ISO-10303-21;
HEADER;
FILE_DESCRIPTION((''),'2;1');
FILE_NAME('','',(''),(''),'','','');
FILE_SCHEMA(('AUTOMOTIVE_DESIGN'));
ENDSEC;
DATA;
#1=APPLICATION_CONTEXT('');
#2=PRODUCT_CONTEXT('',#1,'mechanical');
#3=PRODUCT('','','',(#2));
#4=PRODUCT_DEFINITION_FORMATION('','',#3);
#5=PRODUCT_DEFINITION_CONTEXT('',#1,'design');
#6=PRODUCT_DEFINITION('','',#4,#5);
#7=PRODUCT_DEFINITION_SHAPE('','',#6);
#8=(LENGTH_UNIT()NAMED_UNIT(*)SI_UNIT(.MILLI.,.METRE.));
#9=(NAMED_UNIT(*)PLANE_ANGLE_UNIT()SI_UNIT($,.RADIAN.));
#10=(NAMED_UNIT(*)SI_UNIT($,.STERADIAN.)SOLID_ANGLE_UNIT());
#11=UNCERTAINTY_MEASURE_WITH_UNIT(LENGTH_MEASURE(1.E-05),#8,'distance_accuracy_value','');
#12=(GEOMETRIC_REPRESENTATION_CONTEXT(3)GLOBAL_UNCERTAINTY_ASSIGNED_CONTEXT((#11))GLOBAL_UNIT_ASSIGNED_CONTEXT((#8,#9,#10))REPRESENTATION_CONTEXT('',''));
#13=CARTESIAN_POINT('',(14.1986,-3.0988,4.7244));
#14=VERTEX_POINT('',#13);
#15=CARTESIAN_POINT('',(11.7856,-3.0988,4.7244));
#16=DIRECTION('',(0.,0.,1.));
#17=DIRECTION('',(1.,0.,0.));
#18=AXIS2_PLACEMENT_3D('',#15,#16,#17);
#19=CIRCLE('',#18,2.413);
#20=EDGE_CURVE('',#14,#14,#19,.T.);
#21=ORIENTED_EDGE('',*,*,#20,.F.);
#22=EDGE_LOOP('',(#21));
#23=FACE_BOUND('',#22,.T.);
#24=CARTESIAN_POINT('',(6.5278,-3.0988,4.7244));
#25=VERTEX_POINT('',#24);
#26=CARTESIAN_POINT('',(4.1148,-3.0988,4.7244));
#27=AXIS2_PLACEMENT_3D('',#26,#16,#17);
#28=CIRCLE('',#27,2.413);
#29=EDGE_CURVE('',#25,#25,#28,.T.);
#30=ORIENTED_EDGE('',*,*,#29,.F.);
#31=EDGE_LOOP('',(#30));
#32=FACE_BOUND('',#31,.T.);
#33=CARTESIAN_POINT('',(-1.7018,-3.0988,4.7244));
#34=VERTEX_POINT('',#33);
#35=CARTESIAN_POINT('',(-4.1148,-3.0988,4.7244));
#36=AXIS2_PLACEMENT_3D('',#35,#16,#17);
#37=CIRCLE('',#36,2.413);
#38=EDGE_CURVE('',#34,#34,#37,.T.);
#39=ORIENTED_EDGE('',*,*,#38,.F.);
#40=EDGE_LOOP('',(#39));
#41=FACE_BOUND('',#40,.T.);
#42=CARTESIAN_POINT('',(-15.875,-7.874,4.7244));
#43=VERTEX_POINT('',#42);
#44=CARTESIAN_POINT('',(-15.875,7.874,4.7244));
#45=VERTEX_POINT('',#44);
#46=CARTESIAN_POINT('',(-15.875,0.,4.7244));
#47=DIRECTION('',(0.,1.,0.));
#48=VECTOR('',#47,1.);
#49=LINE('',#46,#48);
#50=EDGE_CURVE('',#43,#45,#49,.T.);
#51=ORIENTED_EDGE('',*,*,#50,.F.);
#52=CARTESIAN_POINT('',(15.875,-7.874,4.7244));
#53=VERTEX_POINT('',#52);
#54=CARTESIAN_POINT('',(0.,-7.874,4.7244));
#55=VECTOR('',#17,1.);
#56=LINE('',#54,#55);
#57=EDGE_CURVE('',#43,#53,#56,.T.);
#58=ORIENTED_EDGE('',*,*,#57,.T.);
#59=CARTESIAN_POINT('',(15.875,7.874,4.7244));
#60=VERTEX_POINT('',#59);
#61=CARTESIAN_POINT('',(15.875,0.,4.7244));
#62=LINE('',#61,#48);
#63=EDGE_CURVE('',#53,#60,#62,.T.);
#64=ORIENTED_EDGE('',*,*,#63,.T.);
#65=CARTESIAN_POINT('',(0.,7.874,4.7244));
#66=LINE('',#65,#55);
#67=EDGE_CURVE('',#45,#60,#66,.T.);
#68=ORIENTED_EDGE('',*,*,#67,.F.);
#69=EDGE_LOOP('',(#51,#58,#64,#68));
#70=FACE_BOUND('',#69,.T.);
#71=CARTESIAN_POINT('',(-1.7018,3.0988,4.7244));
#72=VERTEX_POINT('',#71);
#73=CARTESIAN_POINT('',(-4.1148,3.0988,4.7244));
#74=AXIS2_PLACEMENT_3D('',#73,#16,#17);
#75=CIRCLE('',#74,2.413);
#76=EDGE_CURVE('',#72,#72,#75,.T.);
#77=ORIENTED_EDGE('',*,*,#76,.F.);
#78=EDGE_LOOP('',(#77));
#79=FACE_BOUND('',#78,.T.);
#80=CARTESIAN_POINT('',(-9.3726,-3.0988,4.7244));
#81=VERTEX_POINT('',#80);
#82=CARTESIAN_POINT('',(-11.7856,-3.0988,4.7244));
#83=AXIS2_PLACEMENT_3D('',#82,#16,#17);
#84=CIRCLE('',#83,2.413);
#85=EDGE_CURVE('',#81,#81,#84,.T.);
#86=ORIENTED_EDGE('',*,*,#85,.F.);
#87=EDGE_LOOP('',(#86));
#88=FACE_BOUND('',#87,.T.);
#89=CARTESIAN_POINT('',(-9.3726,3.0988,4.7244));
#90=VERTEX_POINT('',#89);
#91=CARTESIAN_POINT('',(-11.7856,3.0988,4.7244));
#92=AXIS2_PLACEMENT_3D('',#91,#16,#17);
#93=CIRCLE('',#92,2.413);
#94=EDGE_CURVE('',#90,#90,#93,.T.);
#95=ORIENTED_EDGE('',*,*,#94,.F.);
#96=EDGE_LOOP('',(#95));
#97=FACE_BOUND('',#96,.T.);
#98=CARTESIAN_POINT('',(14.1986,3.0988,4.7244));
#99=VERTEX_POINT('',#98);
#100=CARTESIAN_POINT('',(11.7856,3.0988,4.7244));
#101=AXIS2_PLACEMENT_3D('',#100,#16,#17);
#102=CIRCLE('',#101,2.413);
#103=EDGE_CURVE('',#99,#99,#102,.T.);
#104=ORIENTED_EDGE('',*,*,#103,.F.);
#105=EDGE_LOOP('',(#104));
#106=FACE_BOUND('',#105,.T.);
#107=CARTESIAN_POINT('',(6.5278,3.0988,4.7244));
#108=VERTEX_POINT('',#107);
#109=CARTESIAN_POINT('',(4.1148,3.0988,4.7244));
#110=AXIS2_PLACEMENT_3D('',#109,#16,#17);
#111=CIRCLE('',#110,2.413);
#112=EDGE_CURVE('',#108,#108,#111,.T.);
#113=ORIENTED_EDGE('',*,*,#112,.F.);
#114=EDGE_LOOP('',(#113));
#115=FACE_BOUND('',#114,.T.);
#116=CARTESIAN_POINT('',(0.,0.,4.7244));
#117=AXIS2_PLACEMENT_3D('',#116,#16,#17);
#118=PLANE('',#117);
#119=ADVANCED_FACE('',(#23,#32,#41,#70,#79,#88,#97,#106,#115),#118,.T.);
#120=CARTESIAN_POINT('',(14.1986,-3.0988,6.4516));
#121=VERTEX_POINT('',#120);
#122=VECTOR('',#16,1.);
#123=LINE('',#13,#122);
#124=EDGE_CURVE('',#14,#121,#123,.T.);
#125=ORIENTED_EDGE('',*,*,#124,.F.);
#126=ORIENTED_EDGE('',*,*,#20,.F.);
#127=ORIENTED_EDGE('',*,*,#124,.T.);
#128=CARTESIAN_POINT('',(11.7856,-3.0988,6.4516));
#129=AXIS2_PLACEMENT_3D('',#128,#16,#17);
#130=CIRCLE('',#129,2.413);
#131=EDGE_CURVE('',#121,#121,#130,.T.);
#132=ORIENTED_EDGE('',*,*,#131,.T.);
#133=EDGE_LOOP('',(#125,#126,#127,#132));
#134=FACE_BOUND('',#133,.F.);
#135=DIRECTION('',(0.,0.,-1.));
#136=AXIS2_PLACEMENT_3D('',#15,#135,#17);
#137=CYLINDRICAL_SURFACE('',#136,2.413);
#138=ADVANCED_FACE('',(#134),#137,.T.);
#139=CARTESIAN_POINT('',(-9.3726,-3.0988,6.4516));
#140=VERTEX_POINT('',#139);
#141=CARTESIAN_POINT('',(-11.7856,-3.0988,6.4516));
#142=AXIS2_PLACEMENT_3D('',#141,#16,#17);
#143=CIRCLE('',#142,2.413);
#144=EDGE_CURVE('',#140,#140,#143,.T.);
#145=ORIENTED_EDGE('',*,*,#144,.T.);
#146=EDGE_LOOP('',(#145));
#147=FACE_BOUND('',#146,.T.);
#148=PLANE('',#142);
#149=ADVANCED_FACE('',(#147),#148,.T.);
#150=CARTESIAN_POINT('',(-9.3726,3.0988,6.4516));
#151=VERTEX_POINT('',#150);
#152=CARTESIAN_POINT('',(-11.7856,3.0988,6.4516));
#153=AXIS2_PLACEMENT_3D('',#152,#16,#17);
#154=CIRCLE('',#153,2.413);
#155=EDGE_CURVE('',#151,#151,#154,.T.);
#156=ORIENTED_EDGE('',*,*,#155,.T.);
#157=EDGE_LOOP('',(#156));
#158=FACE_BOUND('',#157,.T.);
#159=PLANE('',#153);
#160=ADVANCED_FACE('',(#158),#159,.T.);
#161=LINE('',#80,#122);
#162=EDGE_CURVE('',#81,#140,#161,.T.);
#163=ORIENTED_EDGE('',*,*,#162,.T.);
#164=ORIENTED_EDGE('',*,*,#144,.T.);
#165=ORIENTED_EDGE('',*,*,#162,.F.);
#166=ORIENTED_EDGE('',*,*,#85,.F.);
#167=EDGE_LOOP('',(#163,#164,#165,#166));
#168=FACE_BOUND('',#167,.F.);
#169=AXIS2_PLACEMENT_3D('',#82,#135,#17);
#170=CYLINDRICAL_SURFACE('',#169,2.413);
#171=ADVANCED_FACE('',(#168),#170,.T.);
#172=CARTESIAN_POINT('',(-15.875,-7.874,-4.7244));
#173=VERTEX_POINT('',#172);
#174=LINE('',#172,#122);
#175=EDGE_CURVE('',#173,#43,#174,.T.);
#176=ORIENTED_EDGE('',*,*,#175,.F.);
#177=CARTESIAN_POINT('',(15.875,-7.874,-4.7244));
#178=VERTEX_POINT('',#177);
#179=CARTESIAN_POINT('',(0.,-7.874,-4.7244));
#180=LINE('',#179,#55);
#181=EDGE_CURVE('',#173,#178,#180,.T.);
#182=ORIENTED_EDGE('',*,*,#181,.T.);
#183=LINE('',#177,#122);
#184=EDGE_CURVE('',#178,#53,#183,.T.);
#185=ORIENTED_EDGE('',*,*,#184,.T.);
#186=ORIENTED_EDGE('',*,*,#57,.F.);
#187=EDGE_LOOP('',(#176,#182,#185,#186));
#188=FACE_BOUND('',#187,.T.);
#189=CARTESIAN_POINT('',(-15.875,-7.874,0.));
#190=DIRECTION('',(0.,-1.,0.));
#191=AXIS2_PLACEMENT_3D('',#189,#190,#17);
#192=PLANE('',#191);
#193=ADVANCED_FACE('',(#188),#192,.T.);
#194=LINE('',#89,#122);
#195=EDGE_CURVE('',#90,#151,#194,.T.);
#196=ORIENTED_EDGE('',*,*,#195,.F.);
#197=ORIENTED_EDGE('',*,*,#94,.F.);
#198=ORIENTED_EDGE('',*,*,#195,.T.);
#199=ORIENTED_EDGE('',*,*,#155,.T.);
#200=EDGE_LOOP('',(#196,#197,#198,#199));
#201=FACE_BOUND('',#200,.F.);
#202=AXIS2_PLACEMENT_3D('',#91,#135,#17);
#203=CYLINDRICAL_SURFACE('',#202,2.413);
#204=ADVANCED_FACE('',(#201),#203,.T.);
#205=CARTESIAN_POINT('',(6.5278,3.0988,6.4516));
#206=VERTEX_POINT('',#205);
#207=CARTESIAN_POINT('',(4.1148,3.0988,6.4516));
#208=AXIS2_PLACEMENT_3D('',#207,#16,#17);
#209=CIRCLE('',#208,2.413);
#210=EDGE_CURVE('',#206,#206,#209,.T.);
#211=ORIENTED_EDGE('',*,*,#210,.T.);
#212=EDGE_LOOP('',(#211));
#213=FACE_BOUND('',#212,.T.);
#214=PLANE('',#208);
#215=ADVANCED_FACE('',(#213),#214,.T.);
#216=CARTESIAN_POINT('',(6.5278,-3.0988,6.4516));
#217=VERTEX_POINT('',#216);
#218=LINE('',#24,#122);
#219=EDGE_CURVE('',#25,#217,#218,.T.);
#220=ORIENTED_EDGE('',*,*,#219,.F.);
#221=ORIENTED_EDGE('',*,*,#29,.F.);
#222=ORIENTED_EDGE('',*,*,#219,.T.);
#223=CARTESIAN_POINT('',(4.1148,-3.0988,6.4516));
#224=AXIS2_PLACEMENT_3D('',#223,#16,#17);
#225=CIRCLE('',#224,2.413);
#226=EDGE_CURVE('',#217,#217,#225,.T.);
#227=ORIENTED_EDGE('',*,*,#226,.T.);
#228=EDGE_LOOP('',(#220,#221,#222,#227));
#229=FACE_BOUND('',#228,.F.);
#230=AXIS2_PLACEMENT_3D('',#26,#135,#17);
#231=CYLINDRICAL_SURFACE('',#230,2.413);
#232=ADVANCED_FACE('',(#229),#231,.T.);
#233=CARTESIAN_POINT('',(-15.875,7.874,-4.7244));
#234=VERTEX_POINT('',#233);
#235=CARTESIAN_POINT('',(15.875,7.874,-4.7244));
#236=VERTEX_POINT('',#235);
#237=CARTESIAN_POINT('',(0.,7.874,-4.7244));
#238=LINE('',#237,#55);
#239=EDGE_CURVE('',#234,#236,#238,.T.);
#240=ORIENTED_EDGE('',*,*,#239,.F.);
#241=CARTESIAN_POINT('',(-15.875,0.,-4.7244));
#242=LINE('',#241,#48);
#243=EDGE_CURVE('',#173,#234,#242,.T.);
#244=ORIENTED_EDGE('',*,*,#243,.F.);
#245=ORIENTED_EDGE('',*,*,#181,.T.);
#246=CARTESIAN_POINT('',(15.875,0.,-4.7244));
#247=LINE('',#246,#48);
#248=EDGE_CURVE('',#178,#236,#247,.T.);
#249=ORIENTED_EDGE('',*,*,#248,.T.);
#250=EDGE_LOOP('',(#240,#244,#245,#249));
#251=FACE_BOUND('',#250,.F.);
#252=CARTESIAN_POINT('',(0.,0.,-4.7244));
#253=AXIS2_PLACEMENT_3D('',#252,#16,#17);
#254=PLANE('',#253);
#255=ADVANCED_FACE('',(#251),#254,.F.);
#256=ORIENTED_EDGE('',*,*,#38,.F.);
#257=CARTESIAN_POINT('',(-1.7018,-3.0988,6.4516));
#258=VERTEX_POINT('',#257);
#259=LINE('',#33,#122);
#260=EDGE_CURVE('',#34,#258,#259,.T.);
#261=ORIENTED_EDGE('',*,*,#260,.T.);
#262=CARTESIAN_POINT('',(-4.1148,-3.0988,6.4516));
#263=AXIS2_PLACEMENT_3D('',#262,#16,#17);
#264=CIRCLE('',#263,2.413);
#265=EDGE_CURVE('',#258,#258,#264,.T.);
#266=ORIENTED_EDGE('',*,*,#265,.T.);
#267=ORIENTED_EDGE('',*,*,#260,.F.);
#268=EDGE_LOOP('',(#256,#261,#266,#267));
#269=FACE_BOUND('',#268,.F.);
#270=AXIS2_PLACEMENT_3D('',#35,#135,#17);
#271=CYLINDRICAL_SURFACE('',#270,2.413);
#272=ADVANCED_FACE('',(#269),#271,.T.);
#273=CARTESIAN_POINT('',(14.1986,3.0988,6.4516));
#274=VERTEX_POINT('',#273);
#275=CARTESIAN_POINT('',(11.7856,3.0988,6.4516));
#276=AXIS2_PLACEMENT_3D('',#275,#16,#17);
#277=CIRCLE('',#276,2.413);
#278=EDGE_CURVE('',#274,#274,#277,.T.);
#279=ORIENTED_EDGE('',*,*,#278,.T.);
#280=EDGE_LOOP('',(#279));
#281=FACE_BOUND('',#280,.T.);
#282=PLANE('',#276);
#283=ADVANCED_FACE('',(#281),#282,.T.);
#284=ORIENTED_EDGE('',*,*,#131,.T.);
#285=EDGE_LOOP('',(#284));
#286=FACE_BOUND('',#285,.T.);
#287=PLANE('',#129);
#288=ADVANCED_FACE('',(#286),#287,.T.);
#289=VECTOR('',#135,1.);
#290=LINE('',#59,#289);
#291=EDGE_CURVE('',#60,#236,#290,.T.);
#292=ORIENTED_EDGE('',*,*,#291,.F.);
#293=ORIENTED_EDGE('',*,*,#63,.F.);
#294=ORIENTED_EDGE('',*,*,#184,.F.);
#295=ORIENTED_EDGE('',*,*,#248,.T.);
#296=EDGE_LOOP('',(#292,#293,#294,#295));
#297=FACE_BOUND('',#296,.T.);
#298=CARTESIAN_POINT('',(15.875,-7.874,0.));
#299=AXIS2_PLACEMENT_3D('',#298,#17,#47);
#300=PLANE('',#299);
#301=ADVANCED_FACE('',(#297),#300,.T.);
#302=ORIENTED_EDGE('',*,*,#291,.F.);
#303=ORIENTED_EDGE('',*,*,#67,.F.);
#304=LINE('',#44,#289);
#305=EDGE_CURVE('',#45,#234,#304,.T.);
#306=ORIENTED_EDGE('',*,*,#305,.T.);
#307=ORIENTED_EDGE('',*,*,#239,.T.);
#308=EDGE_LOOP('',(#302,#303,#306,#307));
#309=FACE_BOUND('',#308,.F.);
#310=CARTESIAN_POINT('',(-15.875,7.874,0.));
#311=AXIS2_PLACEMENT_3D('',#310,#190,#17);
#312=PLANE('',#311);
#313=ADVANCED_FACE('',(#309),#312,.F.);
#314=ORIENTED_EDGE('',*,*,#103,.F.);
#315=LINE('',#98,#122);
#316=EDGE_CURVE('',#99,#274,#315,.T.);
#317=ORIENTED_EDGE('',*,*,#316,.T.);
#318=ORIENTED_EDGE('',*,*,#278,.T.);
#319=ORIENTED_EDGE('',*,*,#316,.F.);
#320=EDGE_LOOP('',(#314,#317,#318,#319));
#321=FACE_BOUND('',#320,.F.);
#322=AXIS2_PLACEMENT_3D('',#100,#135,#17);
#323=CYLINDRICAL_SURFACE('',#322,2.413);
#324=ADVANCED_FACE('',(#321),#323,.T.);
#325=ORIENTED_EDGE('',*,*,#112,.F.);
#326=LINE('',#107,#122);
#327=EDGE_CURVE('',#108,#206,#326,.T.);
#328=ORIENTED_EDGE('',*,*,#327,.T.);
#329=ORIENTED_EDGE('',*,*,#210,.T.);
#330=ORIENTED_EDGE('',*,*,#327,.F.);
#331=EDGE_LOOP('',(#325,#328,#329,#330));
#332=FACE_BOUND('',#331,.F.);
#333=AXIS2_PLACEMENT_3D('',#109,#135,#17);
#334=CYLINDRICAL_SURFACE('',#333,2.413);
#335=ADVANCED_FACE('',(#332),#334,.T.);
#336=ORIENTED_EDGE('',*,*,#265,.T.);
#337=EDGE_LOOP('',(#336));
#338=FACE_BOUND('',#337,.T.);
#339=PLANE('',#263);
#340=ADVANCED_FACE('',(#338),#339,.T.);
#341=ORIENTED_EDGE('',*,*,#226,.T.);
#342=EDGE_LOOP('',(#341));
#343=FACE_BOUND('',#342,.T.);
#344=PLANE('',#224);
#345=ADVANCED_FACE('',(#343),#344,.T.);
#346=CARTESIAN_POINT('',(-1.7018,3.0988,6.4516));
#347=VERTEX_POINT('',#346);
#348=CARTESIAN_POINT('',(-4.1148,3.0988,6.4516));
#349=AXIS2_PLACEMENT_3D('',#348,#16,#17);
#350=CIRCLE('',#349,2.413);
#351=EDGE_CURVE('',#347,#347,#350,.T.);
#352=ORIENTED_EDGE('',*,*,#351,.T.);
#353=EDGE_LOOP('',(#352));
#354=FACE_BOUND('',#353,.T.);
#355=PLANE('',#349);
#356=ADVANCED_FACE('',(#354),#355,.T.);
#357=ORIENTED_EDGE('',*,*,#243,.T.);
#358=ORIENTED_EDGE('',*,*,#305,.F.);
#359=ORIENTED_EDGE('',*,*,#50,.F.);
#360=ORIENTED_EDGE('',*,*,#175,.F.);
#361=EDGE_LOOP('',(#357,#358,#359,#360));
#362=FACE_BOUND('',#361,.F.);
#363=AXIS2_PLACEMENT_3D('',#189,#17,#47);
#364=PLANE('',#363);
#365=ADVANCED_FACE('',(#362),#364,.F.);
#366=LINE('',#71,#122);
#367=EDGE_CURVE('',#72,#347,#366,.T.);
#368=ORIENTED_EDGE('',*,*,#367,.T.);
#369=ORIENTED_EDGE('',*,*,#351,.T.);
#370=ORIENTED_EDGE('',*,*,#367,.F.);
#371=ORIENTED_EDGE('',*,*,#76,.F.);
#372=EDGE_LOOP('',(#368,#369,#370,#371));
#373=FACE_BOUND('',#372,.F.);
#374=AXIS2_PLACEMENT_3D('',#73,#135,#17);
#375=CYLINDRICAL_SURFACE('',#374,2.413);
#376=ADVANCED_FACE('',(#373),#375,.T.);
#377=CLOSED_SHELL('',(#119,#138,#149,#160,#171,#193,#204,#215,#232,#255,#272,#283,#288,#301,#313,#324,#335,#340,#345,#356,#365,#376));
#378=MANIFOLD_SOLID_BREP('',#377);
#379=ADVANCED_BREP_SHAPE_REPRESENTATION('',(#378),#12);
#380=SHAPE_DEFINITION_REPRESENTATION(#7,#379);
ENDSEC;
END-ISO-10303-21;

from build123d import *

# Parameters (mm, degrees)
F0_W     = 31.75
F0_H     = 15.748
F1_DEPTH = 4.7244
F2_R     = 2.413
F3_DEPTH = 1.7272


with BuildPart() as f1:
    # F0 (on Top) → F1 (new body, symmetric)
    with BuildSketch(Plane.XY):
        Rectangle(F0_W, F0_H)
    extrude(amount=F1_DEPTH, both=True)

    # F2 (on face) → F3 (join)
    with BuildSketch(Plane.XY.offset(4.7244)):
        with Locations((-11.7856, 3.0988)):
            Circle(F2_R)
        with Locations((4.1148, 3.0988)):
            Circle(F2_R)
        with Locations((11.7856, 3.0988)):
            Circle(F2_R)
        with Locations((-11.7856, -3.0988)):
            Circle(F2_R)
        with Locations((4.1148, -3.0988)):
            Circle(F2_R)
        with Locations((11.7856, -3.0988)):
            Circle(F2_R)
        with Locations((-4.1148, -3.0988)):
            Circle(F2_R)
        with Locations((-4.1148, 3.0988)):
            Circle(F2_R)
    extrude(amount=F3_DEPTH)


solid = f1.part
